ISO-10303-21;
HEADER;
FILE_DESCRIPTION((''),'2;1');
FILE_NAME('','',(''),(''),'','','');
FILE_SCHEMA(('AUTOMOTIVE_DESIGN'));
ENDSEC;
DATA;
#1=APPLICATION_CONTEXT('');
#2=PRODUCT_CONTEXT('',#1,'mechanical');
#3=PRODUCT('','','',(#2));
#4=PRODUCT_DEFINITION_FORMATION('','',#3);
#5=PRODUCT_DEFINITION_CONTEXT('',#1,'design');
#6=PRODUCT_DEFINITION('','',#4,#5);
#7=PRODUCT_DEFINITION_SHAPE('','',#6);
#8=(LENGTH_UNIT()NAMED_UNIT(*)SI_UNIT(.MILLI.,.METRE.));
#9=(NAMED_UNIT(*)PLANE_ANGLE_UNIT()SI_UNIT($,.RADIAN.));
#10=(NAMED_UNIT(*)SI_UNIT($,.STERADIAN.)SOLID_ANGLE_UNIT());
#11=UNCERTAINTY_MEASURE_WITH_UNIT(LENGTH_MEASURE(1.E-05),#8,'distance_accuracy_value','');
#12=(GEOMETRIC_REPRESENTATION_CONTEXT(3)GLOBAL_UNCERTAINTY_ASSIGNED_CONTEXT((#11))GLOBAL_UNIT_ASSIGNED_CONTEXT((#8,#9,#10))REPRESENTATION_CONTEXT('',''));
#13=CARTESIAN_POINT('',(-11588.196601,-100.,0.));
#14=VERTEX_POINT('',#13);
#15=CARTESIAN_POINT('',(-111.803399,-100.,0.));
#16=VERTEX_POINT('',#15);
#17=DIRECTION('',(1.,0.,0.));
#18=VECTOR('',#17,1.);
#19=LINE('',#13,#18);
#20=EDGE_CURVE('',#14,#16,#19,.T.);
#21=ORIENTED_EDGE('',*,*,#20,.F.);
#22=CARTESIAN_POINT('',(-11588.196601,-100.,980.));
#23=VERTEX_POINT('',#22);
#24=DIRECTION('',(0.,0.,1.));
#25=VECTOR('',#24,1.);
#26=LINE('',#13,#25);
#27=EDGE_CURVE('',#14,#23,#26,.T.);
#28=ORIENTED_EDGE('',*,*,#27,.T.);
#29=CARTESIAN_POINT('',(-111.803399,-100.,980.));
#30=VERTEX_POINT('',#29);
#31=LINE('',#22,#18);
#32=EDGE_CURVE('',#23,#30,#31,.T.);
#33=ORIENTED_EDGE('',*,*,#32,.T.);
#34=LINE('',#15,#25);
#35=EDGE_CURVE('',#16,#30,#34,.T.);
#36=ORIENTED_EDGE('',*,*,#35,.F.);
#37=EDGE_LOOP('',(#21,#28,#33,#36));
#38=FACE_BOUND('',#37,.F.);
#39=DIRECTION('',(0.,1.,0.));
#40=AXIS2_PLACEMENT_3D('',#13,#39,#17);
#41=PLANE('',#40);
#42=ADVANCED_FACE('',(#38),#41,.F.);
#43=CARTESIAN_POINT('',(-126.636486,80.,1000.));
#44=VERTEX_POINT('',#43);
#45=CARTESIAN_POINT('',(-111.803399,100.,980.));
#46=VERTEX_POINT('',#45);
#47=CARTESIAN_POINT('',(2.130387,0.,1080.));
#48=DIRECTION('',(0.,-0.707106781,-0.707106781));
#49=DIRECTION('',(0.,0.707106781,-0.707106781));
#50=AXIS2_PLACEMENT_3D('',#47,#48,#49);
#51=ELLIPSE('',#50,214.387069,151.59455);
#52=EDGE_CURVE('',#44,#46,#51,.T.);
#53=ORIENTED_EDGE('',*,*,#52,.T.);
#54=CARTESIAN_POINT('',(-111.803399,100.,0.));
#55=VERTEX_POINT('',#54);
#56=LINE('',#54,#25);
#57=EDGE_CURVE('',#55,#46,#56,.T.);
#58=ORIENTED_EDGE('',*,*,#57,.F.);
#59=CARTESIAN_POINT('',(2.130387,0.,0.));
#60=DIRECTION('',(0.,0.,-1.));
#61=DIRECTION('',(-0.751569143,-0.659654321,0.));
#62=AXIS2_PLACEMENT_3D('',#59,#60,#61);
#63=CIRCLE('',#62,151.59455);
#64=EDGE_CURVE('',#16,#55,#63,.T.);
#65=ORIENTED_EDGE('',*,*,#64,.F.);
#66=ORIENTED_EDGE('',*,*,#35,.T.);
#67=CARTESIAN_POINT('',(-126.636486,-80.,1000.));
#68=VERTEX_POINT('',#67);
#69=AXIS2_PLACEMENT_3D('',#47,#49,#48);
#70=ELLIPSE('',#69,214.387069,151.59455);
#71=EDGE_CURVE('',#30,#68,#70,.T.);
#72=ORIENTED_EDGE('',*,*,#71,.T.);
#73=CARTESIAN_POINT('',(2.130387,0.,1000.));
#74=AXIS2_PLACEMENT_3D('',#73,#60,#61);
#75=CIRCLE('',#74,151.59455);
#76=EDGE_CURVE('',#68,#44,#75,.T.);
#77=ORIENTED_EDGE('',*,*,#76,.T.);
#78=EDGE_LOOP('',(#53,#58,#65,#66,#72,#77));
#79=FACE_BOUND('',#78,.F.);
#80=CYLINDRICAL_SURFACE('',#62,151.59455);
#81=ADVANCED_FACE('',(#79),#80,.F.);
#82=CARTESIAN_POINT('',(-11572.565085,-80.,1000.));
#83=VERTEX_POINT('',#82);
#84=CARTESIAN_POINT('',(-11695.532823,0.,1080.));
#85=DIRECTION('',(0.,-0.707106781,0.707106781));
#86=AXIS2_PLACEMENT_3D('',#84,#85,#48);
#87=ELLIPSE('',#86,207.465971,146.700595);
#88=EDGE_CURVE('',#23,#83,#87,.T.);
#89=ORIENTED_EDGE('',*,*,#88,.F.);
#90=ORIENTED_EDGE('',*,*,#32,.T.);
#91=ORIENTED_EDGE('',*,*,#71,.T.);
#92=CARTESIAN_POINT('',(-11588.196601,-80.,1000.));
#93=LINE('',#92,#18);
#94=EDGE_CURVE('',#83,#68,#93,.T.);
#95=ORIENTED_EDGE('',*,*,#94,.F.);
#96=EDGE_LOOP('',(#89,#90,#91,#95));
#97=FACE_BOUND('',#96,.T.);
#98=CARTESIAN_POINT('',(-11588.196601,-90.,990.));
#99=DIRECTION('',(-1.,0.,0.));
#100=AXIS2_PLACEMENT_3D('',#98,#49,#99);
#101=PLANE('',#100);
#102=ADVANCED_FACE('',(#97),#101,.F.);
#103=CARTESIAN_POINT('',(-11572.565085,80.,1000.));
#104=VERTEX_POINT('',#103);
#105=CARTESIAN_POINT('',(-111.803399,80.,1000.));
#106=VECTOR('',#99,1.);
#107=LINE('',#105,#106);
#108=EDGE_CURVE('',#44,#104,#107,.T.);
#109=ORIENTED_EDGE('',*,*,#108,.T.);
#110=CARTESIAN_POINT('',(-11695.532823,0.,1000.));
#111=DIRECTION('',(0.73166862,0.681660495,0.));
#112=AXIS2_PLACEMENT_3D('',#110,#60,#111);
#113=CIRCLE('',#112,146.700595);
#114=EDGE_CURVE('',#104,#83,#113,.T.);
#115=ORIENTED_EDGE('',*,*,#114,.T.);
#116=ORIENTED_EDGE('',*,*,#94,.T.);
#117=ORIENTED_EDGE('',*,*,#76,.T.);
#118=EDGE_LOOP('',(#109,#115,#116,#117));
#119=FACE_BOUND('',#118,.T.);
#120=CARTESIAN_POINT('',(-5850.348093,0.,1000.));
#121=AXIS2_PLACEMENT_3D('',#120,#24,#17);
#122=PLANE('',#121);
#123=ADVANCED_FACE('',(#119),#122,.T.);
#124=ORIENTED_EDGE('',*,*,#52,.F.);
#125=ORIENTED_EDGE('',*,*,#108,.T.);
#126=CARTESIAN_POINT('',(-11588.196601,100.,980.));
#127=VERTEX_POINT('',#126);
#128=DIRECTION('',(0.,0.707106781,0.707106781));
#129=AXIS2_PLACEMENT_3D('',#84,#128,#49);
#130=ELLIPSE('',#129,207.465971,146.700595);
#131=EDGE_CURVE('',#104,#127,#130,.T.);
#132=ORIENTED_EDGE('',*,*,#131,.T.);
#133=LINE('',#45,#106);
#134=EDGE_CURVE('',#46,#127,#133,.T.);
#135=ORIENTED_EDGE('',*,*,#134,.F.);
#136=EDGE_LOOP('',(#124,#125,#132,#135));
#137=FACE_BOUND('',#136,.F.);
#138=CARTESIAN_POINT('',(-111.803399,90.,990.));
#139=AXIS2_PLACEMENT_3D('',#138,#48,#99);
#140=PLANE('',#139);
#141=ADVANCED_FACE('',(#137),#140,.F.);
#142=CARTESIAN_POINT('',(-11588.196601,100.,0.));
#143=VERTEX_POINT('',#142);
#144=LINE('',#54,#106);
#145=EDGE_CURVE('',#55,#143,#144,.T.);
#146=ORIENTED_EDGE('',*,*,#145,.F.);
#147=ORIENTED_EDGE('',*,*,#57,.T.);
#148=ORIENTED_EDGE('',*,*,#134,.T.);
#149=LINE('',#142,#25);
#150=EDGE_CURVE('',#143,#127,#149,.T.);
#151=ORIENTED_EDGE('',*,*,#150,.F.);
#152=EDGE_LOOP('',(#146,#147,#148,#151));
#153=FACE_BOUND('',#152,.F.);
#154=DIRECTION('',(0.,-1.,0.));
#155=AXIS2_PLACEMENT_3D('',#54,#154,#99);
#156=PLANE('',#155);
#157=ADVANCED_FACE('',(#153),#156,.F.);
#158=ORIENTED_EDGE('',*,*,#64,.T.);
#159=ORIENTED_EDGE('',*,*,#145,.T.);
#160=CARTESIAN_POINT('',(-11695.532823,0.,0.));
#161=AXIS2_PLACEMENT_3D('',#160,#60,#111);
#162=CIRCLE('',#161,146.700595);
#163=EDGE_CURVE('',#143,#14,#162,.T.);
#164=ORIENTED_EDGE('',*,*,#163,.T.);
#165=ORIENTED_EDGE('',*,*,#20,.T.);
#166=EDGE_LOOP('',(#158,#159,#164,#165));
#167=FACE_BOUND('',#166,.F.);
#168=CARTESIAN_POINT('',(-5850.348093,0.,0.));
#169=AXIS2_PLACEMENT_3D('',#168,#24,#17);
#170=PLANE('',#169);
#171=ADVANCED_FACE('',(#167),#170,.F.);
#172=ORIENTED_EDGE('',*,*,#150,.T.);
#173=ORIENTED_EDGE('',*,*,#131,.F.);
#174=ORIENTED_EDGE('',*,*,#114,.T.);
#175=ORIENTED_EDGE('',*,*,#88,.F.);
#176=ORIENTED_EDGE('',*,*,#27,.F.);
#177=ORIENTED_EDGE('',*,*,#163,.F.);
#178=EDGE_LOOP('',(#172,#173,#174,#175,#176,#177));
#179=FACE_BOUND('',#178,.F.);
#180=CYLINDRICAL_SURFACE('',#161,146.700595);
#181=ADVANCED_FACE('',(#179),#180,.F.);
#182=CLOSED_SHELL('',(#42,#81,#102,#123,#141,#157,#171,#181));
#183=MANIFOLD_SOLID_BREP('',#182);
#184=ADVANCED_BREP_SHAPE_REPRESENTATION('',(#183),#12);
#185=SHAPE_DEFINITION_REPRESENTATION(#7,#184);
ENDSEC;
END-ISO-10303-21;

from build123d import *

# Parameters (mm, degrees)
F1_DEPTH = 1000
F2_SIZE  = 20
F3_SIZE  = 20


with BuildPart() as f1:
    # F0 (on Top) → F1 (new body)
    with BuildSketch(Plane.XY):
        with BuildLine():
            ThreePointArc((-111.803399, -100), (-149.464163, 0), (-111.803399, 100))
            Line((-111.803399, 100), (-11588.196601, 100))
            ThreePointArc((-11588.196601, 100), (-11548.832228, 0), (-11588.196601, -100))
            Line((-11588.196601, -100), (-111.803399, -100))
        make_face()
    extrude(amount=F1_DEPTH)

    # F2
    f2_edges = [f1.edges().sort_by_distance(p)[0] for p in [
        (-5850, -100, 1000),
    ]]
    chamfer(f2_edges, length=F2_SIZE)

    # F3
    f3_edges = [f1.edges().sort_by_distance(p)[0] for p in [
        (-5850, 100, 1000),
    ]]
    chamfer(f3_edges, length=F3_SIZE)


solid = f1.part
